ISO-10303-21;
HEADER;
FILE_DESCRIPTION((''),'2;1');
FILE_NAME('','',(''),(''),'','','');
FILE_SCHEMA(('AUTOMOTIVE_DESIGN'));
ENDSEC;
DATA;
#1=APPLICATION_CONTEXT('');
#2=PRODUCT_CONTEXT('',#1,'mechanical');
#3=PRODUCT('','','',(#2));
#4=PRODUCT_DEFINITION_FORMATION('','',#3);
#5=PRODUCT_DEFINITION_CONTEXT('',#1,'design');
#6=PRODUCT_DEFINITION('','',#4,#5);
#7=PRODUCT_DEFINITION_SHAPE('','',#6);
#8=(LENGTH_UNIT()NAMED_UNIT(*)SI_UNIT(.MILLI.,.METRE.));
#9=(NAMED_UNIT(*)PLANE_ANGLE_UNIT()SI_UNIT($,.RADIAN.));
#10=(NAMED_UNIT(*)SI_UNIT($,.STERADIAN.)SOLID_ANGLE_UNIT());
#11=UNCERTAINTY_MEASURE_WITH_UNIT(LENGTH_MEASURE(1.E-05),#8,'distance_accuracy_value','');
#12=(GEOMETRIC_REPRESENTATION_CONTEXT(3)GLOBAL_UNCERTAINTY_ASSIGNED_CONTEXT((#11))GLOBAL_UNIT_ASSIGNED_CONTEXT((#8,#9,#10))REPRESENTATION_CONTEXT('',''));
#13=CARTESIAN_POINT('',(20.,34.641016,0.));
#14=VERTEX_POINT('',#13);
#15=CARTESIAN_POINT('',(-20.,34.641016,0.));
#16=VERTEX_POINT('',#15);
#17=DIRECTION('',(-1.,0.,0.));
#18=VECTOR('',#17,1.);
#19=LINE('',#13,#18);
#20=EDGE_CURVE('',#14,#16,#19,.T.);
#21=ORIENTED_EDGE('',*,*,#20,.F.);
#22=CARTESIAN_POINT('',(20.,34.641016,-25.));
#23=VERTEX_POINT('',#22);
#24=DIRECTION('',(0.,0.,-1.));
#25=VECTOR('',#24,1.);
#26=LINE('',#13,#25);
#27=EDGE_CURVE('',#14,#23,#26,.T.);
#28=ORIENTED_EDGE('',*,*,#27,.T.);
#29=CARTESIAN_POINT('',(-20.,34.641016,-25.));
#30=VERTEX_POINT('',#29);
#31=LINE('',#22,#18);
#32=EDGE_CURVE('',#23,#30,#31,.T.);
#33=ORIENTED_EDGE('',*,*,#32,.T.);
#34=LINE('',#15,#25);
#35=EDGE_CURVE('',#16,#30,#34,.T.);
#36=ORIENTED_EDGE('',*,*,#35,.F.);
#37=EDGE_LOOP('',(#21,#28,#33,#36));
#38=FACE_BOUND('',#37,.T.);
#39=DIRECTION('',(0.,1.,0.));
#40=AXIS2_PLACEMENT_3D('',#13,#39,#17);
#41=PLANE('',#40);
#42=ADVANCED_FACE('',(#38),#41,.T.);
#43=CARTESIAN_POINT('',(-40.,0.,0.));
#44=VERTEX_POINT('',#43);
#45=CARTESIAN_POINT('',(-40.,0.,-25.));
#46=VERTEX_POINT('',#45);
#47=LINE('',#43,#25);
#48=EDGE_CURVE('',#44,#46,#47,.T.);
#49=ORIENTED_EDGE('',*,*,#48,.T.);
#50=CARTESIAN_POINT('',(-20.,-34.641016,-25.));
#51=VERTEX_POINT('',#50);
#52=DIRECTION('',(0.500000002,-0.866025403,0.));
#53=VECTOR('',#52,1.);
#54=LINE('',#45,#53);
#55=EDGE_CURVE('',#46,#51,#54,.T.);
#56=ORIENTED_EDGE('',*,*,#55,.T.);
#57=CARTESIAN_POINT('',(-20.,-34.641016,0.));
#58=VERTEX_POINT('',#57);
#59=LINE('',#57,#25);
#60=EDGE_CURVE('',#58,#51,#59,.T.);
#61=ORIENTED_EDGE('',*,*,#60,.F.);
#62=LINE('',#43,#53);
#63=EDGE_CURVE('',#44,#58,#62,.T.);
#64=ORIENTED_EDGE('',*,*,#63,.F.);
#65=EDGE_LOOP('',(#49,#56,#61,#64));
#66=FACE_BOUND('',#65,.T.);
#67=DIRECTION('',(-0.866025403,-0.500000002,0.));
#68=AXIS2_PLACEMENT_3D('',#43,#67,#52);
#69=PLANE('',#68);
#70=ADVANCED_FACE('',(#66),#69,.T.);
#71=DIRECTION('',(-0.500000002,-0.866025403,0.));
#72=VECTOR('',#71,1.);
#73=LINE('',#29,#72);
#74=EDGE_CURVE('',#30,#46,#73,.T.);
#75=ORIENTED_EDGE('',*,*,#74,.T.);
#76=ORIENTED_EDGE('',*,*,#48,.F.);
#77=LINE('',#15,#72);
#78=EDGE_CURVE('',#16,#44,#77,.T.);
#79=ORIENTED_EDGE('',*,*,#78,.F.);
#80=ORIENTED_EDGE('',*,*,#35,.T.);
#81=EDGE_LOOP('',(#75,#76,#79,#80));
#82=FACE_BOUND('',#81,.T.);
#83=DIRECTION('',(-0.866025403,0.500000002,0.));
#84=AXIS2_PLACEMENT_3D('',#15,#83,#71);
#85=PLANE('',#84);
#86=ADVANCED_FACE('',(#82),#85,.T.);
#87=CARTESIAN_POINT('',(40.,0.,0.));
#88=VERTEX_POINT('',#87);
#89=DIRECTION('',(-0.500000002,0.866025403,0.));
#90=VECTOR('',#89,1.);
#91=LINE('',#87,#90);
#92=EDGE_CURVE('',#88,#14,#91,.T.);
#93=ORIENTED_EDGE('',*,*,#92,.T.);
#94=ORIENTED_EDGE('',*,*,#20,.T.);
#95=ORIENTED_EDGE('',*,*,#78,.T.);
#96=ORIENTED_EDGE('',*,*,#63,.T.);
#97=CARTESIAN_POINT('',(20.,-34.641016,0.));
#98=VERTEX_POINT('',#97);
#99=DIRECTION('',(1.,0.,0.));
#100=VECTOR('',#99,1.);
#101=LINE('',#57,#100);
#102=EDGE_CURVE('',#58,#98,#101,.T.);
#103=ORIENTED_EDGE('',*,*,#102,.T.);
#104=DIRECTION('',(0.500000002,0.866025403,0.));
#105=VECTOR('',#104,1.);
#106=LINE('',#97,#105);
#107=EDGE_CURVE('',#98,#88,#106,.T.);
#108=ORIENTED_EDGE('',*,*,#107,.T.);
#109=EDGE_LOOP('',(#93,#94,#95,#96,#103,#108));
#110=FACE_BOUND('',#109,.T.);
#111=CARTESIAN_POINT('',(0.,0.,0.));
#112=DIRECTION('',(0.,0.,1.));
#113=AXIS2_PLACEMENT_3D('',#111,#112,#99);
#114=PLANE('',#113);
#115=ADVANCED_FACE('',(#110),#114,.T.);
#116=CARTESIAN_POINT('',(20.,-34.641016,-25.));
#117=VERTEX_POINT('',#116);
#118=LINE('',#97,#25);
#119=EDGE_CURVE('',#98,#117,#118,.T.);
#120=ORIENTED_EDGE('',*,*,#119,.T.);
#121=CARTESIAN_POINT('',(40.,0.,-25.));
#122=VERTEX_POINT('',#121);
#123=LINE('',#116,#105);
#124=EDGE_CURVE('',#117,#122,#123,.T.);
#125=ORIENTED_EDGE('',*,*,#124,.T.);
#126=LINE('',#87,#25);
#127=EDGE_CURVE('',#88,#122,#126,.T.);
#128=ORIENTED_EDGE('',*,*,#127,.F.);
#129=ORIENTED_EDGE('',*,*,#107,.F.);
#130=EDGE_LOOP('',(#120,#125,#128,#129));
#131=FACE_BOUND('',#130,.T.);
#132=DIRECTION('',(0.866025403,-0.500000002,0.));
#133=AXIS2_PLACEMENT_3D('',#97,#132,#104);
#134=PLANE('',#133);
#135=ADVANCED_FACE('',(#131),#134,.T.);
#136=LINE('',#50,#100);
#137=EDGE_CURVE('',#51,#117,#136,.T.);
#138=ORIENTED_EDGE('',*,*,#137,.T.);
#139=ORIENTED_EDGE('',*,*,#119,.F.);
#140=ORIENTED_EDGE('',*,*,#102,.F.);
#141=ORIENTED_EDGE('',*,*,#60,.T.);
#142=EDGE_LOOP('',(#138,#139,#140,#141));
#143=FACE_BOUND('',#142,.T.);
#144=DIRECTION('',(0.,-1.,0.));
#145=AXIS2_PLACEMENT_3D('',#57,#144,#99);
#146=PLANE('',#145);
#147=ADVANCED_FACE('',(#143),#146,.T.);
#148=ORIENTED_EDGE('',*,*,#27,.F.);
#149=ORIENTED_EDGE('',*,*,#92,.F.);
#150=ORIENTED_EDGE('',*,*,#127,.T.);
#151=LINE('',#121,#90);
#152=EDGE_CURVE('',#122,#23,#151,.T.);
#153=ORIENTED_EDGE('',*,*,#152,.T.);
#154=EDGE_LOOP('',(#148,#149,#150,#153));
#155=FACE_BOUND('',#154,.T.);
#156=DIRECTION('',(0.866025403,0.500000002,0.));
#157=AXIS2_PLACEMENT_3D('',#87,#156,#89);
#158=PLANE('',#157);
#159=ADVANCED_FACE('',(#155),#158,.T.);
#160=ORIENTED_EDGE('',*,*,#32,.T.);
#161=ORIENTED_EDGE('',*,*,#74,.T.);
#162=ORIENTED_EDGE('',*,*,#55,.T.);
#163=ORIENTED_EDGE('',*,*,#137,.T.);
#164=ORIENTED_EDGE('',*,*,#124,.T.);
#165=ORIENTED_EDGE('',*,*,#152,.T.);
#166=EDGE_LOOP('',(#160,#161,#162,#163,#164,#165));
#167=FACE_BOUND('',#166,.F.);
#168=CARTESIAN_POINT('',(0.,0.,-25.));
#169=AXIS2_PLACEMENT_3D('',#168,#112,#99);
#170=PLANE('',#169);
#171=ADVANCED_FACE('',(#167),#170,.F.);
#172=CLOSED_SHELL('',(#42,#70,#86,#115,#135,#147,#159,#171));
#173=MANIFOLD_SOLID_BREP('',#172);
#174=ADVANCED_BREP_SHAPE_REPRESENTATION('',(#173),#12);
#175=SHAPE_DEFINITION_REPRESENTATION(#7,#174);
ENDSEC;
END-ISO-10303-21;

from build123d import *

# Parameters (mm, degrees)
F0_R     = 20
F1_DEPTH = 25


with BuildPart() as f1:
    # F0 (on Top) → F1 (new body)
    with BuildSketch(Plane.XY):
        Polygon((20, 34.641016), (-20, 34.641016), (-40, 0), (-20, -34.641016), (20, -34.641016), (40, 0), align=None)
        Circle(F0_R, mode=Mode.SUBTRACT)
        Circle(F0_R)
    extrude(amount=-F1_DEPTH)


solid = f1.part
